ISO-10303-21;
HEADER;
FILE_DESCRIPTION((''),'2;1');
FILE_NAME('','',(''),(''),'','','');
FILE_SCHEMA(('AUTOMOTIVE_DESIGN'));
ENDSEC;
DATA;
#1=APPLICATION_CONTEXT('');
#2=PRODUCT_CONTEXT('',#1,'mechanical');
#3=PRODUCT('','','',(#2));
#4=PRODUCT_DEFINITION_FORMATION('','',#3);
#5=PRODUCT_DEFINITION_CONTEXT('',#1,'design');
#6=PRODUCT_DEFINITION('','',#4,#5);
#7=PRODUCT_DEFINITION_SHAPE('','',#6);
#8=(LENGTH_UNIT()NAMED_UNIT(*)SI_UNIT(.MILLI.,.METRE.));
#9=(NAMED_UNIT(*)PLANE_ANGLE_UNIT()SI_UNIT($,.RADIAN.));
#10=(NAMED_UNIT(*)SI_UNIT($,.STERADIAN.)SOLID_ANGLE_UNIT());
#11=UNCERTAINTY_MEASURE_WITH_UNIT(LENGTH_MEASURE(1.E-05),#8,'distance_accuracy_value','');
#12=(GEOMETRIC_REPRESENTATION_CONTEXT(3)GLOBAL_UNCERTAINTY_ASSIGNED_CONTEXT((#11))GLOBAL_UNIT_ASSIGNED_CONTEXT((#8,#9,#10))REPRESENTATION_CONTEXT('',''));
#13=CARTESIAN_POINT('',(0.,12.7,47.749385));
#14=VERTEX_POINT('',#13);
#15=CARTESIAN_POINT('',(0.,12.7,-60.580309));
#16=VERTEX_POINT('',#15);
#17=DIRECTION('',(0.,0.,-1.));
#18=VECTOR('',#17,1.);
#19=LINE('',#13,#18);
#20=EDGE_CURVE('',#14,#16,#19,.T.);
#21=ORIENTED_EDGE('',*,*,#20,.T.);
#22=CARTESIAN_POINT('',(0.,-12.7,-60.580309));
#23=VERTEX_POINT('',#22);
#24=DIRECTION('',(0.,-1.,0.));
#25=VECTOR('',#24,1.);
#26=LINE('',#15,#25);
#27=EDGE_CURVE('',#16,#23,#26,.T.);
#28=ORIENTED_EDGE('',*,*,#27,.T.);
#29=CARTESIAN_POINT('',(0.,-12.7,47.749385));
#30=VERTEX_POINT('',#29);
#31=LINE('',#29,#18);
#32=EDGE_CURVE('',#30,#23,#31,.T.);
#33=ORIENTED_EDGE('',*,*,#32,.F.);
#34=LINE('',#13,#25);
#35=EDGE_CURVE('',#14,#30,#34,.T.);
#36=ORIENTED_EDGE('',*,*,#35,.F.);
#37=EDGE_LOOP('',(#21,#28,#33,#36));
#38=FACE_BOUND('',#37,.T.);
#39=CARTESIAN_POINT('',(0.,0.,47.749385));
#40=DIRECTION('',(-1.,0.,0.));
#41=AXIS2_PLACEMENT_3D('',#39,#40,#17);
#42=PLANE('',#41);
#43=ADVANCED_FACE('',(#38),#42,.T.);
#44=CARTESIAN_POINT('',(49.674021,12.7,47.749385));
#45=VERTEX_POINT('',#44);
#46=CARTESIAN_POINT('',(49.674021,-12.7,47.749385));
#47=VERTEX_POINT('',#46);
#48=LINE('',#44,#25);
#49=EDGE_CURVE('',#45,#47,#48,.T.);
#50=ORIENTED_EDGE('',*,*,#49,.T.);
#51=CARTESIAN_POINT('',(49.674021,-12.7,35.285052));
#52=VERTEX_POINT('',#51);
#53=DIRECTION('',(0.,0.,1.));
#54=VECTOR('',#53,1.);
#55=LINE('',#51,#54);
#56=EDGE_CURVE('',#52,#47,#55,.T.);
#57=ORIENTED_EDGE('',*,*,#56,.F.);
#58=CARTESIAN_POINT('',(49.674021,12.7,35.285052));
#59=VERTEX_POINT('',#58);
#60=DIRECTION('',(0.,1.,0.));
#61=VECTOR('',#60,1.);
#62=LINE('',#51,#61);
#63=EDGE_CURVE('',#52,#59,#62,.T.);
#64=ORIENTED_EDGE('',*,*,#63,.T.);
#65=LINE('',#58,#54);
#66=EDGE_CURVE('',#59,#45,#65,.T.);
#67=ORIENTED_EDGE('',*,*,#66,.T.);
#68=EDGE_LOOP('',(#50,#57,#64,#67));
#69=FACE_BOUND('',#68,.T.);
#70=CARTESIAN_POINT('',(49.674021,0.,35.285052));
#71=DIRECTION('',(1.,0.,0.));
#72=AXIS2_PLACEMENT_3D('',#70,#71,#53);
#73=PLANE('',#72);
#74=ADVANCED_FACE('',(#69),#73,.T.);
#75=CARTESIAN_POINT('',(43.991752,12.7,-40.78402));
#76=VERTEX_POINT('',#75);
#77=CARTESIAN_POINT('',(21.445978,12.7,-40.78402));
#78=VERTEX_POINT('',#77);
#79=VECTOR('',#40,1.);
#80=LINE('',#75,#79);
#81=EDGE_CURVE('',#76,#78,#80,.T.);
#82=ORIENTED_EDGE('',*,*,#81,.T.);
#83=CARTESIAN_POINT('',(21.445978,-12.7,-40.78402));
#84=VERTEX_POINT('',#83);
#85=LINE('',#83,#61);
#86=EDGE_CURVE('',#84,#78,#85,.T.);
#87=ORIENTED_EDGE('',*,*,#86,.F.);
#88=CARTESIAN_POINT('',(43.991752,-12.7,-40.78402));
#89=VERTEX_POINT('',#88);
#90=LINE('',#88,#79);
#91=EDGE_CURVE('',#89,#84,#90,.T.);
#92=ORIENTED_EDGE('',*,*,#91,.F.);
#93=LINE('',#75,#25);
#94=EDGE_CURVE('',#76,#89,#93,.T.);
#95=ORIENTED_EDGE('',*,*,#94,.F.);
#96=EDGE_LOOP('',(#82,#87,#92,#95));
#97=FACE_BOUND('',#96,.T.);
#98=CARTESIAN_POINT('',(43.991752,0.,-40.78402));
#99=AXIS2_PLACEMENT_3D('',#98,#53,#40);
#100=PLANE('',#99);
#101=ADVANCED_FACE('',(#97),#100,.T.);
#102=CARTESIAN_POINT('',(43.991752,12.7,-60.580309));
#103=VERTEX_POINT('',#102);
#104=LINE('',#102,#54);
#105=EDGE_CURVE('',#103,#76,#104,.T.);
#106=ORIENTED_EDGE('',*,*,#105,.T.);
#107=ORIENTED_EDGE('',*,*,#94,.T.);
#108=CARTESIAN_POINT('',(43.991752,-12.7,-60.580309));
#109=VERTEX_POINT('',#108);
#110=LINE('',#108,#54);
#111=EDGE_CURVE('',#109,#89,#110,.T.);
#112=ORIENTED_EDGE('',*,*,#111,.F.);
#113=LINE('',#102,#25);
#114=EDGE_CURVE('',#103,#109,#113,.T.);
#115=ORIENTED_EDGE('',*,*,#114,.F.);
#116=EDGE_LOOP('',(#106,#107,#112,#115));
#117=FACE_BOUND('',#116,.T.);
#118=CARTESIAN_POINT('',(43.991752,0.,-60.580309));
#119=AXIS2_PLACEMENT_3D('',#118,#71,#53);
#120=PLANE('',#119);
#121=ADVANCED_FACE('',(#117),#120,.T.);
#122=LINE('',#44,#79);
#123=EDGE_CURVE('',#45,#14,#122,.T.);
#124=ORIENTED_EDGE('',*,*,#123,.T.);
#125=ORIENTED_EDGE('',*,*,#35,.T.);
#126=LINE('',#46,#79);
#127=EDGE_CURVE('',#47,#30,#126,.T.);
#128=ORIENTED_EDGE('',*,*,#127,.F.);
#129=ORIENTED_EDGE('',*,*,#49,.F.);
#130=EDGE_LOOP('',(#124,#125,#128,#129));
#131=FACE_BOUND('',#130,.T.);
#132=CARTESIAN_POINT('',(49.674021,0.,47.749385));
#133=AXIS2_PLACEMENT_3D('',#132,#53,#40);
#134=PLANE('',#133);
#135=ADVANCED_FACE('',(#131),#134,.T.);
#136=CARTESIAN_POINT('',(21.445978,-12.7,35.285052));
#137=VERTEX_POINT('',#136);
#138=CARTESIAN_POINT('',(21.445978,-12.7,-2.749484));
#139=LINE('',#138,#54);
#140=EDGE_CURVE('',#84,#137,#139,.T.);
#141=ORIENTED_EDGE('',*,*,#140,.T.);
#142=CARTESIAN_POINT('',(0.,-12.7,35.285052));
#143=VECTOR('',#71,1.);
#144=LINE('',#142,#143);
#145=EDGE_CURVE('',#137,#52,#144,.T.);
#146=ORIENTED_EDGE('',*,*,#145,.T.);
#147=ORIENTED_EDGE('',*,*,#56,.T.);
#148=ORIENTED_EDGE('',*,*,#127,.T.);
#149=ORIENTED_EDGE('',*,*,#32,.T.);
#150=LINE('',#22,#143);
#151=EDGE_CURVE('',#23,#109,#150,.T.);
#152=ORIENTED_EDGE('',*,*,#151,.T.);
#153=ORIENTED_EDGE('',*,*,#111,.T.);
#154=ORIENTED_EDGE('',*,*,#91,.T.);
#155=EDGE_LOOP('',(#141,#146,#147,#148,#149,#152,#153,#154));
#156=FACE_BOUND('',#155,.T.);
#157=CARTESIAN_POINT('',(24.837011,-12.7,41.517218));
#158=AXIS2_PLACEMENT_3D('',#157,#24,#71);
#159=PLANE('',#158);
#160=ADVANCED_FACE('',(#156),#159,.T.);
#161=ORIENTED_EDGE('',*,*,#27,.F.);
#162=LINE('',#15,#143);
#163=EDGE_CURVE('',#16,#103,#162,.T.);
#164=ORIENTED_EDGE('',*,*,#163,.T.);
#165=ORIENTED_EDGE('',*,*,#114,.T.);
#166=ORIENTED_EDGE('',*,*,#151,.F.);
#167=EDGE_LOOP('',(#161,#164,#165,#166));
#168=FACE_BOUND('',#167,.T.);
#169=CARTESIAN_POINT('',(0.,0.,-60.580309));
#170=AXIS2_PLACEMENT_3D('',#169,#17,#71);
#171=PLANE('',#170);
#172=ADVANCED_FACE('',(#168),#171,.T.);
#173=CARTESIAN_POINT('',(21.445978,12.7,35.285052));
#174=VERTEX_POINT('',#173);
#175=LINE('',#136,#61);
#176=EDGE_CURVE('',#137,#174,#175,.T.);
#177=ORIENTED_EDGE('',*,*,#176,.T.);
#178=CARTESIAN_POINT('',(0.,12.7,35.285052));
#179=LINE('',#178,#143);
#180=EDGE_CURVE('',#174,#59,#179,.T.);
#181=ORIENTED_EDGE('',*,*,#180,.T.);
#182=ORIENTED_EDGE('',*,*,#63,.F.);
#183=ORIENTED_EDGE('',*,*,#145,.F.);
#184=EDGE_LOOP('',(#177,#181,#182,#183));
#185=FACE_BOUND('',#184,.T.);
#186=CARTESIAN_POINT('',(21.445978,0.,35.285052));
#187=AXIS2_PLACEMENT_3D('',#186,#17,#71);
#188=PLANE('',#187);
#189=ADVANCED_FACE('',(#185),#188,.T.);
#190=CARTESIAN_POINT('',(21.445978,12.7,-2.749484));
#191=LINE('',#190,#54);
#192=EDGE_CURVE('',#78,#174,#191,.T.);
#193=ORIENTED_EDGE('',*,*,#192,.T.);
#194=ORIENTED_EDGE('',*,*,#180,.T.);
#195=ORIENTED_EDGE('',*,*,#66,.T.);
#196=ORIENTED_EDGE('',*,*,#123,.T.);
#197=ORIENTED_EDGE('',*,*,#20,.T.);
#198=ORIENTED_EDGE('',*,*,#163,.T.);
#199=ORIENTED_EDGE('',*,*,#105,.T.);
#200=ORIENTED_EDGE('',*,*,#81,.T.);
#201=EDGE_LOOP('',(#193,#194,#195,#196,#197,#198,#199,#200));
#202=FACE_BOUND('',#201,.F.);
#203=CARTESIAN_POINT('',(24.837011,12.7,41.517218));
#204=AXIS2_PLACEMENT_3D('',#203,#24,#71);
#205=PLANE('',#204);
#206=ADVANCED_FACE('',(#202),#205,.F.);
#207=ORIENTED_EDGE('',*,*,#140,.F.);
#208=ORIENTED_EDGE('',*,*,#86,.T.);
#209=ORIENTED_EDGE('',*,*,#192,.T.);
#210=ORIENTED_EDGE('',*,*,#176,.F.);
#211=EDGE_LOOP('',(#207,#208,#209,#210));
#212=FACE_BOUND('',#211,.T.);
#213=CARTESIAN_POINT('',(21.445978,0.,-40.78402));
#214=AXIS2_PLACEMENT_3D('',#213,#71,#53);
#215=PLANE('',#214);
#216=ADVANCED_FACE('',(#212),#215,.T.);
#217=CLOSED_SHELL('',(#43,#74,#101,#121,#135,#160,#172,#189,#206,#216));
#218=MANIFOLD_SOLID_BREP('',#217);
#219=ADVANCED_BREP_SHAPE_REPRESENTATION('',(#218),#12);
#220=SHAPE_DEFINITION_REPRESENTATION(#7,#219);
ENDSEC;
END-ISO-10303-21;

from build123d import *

# Parameters (mm, degrees)
F0_W     = 21.445978
F0_H     = 76.069072
F1_DEPTH = 12.7


with BuildPart() as f1:
    # F0 (on Front) → F1 (new body, symmetric)
    with BuildSketch(Plane.XZ):
        Polygon((21.445978, 35.285052), (49.674021, 35.285052), (49.674021, 47.749385), (0, 47.749385), (0, 35.285052), align=None)
        with Locations((10.722989, -2.749484)):
            Rectangle(F0_W, F0_H)
        Polygon((43.991752, -40.78402), (21.445978, -40.78402), (0, -40.78402), (0, -60.580309), (43.991752, -60.580309), align=None)
    extrude(amount=F1_DEPTH, both=True)


solid = f1.part
